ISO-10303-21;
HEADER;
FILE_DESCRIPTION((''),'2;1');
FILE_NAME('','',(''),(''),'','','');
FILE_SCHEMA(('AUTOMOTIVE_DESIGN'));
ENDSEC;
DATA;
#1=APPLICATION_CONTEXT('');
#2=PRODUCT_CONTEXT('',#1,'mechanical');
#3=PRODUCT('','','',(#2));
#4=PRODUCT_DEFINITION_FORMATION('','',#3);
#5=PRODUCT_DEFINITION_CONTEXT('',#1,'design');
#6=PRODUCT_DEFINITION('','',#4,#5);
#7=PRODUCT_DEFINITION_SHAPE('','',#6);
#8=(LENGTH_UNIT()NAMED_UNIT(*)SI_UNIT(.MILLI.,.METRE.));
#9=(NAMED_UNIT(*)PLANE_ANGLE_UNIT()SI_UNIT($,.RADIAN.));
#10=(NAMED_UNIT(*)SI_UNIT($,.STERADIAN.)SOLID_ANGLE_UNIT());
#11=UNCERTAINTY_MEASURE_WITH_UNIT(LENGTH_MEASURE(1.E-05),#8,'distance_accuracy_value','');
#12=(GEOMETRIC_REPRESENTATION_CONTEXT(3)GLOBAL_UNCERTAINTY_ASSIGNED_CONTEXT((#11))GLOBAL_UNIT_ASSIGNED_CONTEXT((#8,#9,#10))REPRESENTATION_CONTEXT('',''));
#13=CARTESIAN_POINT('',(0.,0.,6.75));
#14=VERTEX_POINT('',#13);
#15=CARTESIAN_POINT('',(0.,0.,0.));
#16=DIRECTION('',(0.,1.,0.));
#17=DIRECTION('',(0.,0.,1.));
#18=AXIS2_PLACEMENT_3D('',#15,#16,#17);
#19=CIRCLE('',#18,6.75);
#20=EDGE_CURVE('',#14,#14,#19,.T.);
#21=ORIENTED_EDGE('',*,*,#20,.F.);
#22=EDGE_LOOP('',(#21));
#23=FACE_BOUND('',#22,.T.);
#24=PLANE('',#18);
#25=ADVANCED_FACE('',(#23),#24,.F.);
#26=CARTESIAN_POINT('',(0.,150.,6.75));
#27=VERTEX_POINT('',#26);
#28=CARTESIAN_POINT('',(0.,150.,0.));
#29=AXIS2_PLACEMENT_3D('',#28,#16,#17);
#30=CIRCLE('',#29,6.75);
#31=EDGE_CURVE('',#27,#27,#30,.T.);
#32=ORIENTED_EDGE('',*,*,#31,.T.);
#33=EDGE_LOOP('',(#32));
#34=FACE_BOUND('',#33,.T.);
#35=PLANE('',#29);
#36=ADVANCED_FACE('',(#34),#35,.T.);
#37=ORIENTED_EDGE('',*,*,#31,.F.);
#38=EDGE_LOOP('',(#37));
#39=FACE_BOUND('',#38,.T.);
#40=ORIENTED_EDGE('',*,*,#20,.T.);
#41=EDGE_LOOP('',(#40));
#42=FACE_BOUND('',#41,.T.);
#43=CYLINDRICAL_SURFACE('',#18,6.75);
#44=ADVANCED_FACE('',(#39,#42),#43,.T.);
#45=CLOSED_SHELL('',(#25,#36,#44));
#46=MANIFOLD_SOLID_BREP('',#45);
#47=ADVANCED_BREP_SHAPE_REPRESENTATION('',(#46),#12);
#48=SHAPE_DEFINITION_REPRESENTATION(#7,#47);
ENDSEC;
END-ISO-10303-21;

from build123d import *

# Parameters (mm, degrees)
SKETCH2_R = 6.75


with BuildPart() as part:
    # Sweep1: sweep along a path in Sketch1
    with BuildLine(Plane.XY) as sweep1_path:
        Line((0, 0), (0, 150))
    # Sketch2 → Sweep1 (sweep)
    with BuildSketch(Plane(origin=(0, 0, 0), x_dir=(1, 0, 0), z_dir=(0, 1, 0))):
        Circle(SKETCH2_R)
    sweep(path=sweep1_path.line)


solid = part.part
